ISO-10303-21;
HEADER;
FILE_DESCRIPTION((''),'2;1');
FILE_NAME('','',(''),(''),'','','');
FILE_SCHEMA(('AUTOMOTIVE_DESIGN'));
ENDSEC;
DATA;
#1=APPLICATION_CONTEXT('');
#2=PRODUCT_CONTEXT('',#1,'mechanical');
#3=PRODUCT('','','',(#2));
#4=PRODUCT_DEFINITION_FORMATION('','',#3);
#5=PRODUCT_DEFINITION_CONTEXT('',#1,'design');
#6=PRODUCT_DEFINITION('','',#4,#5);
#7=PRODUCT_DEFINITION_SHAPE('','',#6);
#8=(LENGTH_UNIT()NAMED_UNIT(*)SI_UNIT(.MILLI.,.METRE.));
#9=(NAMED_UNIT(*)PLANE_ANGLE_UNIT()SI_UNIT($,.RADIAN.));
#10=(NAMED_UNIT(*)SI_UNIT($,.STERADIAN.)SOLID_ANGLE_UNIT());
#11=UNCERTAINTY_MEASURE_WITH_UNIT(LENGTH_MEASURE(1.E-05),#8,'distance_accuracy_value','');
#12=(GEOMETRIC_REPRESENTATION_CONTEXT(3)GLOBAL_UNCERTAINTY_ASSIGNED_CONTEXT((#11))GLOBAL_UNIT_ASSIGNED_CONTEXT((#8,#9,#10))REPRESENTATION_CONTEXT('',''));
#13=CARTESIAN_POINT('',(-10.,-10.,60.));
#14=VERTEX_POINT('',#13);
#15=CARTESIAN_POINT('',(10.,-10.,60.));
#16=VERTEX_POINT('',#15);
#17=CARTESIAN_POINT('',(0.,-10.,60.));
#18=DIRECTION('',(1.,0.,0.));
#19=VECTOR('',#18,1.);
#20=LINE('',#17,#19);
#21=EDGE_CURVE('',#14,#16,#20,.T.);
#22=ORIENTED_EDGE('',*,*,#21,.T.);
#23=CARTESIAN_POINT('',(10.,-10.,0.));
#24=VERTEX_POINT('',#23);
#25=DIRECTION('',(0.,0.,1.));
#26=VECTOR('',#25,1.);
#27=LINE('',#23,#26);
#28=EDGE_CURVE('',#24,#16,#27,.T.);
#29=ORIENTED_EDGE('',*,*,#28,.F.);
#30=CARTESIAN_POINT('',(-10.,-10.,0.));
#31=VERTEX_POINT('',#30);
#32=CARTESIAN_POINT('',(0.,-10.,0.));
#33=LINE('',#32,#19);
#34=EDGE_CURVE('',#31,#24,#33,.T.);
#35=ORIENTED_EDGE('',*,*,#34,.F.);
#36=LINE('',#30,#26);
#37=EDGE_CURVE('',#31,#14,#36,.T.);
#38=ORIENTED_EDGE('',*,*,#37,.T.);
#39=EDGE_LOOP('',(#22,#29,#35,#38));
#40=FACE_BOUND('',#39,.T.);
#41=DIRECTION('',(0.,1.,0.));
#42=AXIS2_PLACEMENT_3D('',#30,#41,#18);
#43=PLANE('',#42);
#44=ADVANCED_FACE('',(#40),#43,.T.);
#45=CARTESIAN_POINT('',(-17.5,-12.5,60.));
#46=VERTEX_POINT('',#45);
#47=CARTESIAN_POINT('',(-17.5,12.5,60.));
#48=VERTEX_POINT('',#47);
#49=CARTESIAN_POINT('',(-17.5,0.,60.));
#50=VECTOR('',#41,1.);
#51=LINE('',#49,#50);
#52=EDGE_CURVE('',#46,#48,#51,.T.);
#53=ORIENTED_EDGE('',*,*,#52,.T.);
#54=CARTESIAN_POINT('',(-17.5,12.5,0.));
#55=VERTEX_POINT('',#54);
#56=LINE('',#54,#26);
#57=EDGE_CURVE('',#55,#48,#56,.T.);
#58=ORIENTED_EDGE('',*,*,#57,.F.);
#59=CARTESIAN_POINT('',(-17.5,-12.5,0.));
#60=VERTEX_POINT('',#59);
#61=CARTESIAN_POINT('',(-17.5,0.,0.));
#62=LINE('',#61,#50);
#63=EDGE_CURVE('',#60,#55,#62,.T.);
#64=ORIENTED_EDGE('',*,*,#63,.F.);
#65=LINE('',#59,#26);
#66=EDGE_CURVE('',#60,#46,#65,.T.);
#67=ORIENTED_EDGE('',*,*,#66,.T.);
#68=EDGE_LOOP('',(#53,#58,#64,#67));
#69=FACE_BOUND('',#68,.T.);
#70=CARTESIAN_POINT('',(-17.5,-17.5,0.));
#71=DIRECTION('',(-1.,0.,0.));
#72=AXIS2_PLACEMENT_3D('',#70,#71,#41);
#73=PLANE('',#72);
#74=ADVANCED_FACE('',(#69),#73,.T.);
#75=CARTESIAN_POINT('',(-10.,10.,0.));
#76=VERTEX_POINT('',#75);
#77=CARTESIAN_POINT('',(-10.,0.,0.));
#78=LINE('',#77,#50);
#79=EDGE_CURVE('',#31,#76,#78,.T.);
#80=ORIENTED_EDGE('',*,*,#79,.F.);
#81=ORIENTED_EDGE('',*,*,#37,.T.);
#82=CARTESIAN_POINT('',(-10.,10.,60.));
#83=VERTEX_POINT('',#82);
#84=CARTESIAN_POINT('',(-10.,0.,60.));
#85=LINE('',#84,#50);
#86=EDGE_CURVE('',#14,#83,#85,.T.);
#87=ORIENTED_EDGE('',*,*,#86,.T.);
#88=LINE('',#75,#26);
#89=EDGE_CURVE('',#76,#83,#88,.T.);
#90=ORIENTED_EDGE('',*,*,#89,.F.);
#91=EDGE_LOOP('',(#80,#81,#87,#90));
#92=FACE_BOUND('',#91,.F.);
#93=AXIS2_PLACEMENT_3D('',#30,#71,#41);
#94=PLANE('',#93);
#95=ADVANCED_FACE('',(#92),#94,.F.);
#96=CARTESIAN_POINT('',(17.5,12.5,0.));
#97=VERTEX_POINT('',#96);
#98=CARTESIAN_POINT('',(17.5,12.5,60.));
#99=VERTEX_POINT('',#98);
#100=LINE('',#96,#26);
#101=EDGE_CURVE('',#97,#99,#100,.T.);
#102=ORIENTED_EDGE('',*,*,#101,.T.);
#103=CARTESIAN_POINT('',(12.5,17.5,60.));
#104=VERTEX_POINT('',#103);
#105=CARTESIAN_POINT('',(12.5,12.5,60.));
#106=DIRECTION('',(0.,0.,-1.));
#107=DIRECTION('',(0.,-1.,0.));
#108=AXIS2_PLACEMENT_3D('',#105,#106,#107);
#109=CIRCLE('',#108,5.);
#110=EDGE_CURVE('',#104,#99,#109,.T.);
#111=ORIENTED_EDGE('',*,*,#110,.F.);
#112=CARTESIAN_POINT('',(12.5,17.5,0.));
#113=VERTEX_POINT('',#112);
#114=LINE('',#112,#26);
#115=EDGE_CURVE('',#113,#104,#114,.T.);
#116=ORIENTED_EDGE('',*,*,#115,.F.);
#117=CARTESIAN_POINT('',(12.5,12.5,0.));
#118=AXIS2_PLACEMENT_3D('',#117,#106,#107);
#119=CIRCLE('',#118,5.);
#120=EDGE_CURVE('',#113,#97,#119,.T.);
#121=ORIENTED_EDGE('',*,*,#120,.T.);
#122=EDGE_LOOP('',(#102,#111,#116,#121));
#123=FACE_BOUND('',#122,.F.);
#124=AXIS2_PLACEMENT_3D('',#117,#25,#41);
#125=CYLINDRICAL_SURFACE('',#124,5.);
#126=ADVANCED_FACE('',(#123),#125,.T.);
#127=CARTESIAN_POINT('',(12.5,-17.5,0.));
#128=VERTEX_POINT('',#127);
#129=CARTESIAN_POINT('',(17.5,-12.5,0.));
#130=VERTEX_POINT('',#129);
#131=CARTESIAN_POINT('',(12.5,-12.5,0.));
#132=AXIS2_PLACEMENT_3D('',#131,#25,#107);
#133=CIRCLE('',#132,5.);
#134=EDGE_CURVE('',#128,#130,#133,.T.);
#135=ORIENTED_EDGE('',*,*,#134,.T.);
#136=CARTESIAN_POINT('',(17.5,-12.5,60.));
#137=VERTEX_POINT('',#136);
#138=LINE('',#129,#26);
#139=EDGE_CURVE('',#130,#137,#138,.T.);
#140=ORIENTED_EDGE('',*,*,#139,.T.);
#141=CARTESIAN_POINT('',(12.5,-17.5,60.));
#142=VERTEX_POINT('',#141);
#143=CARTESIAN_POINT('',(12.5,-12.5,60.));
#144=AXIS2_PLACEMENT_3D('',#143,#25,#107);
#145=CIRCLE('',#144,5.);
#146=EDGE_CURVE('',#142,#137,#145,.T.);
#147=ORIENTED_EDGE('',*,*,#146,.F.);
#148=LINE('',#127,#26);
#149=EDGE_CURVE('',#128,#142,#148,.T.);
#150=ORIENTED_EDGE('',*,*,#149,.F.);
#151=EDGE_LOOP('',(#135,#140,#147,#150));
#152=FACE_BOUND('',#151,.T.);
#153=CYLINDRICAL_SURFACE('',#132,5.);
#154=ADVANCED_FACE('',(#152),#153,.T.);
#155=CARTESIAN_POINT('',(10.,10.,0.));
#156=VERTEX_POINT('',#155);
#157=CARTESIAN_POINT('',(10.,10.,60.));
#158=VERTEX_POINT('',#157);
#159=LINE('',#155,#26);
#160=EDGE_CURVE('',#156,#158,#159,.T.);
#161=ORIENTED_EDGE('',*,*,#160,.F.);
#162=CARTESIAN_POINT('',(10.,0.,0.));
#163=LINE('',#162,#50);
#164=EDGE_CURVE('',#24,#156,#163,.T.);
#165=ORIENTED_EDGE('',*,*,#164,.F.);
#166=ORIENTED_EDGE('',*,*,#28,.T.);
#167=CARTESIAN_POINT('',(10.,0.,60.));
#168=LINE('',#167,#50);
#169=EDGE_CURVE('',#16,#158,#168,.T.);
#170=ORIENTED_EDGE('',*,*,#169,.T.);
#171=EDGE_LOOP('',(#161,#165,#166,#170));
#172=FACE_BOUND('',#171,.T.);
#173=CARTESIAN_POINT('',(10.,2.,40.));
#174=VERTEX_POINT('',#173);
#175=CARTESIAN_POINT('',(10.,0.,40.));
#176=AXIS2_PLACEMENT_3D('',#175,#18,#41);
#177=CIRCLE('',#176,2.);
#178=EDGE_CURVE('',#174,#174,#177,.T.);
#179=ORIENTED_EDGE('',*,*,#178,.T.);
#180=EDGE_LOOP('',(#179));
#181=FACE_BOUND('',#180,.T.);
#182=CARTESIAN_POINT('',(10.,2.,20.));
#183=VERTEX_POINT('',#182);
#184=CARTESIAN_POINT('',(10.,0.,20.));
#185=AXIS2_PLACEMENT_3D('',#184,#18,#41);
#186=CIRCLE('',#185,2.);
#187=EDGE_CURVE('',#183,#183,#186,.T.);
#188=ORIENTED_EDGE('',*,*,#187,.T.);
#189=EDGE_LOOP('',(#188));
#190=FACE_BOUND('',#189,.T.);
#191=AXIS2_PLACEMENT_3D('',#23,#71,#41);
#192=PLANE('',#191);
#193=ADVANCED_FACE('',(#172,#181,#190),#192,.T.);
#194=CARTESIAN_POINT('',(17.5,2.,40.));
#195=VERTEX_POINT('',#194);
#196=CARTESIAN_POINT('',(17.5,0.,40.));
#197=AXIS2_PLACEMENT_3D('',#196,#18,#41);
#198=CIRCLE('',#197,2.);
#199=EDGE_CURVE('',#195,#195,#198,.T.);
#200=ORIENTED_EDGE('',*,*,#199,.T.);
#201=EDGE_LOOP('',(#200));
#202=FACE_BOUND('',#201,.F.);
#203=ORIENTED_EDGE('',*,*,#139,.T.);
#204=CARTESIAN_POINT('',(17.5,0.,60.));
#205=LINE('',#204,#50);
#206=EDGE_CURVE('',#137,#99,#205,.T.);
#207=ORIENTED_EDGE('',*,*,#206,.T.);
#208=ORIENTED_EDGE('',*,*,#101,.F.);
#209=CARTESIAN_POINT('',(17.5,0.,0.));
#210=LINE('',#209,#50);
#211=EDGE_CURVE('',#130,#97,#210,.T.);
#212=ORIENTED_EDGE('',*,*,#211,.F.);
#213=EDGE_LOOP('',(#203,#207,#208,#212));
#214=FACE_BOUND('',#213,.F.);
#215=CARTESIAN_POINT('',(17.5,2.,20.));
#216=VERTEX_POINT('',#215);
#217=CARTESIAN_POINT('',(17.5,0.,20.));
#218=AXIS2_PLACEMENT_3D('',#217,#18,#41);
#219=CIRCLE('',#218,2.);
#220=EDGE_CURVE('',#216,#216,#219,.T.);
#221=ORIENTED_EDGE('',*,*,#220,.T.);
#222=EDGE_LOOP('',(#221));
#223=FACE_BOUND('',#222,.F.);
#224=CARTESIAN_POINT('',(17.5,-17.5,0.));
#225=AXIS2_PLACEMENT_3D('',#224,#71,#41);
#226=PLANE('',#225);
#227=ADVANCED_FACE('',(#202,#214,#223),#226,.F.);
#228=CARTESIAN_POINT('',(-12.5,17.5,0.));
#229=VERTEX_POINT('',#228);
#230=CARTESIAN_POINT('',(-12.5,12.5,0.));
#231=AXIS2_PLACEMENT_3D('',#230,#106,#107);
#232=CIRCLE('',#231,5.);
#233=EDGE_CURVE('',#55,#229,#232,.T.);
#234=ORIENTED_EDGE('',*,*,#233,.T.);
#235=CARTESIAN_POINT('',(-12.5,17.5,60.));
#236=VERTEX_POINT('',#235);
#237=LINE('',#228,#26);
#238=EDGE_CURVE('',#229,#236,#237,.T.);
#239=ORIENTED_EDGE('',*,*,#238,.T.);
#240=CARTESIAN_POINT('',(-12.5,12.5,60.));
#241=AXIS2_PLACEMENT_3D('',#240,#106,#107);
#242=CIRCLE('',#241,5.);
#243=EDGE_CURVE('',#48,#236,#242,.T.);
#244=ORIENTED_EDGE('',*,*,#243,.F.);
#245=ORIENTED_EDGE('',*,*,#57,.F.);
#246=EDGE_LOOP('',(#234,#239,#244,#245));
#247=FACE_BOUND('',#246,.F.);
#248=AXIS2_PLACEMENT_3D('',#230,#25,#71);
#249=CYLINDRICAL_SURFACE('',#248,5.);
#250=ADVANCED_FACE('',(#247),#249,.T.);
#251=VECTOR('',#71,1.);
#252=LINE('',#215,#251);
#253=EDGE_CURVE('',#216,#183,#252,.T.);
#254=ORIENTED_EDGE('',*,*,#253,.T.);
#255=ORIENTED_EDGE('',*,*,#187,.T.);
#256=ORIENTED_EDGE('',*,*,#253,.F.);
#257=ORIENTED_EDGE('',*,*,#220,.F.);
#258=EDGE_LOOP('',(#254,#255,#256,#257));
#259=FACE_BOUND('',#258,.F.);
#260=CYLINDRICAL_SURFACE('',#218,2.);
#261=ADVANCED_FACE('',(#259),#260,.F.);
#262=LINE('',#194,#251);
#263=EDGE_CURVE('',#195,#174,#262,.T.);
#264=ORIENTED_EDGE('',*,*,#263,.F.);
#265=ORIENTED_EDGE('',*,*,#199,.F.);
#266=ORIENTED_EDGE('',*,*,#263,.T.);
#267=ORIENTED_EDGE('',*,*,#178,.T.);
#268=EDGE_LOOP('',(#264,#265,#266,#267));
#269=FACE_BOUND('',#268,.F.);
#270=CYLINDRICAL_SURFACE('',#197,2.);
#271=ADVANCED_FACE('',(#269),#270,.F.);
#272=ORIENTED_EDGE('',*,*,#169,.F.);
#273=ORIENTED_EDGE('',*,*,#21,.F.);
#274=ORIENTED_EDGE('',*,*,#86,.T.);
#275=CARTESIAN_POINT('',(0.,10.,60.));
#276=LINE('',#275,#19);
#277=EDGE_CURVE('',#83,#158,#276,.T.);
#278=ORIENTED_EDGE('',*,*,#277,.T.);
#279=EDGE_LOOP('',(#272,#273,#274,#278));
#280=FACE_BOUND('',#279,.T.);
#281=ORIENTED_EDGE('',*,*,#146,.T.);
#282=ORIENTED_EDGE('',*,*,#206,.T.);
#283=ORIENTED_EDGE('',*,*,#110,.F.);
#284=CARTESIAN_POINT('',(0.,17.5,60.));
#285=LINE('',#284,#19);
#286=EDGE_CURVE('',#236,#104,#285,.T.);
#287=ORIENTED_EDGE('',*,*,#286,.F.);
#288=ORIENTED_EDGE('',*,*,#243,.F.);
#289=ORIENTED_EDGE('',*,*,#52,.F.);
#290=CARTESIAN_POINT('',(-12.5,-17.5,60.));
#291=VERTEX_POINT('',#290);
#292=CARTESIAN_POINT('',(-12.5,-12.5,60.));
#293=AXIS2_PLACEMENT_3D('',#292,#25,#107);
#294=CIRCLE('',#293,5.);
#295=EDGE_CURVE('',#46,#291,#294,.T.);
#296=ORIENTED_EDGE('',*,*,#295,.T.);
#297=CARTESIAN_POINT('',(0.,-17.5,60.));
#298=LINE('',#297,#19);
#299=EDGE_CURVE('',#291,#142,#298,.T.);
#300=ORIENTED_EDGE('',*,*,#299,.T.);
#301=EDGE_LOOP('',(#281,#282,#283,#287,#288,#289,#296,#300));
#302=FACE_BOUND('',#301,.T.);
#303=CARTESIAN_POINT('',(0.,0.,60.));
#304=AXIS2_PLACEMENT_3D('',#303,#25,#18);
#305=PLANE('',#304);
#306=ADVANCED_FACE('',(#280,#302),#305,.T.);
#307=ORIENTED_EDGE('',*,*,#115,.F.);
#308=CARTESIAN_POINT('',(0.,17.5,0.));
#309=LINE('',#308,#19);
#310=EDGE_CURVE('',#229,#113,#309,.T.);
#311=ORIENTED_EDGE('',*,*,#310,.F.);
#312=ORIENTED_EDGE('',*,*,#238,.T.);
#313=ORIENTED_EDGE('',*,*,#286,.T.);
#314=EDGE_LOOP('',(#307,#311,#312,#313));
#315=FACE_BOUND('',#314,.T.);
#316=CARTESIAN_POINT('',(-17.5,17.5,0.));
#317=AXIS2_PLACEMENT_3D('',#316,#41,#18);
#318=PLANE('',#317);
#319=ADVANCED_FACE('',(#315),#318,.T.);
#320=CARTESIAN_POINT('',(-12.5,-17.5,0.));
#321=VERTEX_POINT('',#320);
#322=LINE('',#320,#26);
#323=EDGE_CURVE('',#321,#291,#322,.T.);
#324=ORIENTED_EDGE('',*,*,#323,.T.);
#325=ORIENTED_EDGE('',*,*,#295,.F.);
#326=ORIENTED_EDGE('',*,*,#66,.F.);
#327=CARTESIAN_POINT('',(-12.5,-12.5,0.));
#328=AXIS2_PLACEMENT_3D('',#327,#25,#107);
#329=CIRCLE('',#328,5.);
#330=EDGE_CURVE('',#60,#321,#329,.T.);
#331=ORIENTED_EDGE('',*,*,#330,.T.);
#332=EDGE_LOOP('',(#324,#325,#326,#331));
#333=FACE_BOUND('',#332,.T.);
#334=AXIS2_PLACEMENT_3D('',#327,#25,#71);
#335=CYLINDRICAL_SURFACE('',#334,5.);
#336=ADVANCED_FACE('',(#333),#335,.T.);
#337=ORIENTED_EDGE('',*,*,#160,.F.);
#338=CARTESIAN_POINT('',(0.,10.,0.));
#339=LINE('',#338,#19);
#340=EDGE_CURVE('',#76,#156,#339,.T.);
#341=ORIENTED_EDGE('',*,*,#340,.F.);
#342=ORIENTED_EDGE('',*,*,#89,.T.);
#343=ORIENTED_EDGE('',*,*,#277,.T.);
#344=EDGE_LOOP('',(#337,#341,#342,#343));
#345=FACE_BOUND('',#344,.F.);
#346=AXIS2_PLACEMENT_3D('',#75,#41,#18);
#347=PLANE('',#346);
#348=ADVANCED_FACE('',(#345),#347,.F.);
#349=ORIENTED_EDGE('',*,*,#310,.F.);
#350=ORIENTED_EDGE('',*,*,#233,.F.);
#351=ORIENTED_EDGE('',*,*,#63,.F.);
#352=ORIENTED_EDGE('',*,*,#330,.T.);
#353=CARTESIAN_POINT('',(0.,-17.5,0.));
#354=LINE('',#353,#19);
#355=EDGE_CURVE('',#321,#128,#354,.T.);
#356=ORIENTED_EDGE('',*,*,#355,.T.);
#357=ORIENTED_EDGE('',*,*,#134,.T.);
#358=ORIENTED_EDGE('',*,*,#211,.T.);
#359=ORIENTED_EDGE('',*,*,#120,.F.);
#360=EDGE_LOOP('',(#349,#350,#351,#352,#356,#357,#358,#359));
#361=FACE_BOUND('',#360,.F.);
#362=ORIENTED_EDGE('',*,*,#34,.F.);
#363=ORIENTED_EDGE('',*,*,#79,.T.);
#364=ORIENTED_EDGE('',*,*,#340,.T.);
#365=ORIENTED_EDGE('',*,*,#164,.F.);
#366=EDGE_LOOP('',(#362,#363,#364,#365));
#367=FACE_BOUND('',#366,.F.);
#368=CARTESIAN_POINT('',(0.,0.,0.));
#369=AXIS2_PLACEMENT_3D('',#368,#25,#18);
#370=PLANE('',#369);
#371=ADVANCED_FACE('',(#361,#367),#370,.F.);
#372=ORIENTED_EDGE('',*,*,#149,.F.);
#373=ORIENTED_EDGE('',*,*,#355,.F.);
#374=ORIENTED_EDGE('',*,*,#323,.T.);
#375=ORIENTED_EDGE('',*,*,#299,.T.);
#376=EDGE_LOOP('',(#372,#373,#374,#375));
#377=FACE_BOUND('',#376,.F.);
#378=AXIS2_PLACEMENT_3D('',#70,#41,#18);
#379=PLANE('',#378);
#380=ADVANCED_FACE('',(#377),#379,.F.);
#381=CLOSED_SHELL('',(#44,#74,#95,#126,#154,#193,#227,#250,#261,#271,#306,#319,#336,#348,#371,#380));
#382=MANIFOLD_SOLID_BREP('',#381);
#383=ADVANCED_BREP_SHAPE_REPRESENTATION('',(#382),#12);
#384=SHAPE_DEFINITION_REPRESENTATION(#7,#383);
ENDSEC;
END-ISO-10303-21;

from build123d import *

# Parameters (mm, degrees)
F0_W     = 35
F0_H     = 35
F0_W_2   = 20
F0_H_2   = 20
F1_DEPTH = 60
F2_R     = 5
F3_R     = 2
F4_DEPTH = 10


with BuildPart() as f1:
    # F0 (on Top) → F1 (new body)
    with BuildSketch(Plane.XY):
        Rectangle(F0_W, F0_H)
        Rectangle(F0_W_2, F0_H_2, mode=Mode.SUBTRACT)
    extrude(amount=F1_DEPTH)

    # F2
    f2_edges = [f1.edges().sort_by_distance(p)[0] for p in [
        (17.5, 17.5, 30),
        (-17.5, 17.5, 30),
        (17.5, -17.5, 30),
        (-17.5, -17.5, 30),
    ]]
    fillet(f2_edges, radius=F2_R)

    # F3 (on face) → F4 (cut)
    with BuildSketch(Plane.YZ.offset(17.5)):
        with Locations((0, 40)):
            Circle(F3_R)
        with Locations((0, 20)):
            Circle(F3_R)
    extrude(amount=-F4_DEPTH, mode=Mode.SUBTRACT)


solid = f1.part
